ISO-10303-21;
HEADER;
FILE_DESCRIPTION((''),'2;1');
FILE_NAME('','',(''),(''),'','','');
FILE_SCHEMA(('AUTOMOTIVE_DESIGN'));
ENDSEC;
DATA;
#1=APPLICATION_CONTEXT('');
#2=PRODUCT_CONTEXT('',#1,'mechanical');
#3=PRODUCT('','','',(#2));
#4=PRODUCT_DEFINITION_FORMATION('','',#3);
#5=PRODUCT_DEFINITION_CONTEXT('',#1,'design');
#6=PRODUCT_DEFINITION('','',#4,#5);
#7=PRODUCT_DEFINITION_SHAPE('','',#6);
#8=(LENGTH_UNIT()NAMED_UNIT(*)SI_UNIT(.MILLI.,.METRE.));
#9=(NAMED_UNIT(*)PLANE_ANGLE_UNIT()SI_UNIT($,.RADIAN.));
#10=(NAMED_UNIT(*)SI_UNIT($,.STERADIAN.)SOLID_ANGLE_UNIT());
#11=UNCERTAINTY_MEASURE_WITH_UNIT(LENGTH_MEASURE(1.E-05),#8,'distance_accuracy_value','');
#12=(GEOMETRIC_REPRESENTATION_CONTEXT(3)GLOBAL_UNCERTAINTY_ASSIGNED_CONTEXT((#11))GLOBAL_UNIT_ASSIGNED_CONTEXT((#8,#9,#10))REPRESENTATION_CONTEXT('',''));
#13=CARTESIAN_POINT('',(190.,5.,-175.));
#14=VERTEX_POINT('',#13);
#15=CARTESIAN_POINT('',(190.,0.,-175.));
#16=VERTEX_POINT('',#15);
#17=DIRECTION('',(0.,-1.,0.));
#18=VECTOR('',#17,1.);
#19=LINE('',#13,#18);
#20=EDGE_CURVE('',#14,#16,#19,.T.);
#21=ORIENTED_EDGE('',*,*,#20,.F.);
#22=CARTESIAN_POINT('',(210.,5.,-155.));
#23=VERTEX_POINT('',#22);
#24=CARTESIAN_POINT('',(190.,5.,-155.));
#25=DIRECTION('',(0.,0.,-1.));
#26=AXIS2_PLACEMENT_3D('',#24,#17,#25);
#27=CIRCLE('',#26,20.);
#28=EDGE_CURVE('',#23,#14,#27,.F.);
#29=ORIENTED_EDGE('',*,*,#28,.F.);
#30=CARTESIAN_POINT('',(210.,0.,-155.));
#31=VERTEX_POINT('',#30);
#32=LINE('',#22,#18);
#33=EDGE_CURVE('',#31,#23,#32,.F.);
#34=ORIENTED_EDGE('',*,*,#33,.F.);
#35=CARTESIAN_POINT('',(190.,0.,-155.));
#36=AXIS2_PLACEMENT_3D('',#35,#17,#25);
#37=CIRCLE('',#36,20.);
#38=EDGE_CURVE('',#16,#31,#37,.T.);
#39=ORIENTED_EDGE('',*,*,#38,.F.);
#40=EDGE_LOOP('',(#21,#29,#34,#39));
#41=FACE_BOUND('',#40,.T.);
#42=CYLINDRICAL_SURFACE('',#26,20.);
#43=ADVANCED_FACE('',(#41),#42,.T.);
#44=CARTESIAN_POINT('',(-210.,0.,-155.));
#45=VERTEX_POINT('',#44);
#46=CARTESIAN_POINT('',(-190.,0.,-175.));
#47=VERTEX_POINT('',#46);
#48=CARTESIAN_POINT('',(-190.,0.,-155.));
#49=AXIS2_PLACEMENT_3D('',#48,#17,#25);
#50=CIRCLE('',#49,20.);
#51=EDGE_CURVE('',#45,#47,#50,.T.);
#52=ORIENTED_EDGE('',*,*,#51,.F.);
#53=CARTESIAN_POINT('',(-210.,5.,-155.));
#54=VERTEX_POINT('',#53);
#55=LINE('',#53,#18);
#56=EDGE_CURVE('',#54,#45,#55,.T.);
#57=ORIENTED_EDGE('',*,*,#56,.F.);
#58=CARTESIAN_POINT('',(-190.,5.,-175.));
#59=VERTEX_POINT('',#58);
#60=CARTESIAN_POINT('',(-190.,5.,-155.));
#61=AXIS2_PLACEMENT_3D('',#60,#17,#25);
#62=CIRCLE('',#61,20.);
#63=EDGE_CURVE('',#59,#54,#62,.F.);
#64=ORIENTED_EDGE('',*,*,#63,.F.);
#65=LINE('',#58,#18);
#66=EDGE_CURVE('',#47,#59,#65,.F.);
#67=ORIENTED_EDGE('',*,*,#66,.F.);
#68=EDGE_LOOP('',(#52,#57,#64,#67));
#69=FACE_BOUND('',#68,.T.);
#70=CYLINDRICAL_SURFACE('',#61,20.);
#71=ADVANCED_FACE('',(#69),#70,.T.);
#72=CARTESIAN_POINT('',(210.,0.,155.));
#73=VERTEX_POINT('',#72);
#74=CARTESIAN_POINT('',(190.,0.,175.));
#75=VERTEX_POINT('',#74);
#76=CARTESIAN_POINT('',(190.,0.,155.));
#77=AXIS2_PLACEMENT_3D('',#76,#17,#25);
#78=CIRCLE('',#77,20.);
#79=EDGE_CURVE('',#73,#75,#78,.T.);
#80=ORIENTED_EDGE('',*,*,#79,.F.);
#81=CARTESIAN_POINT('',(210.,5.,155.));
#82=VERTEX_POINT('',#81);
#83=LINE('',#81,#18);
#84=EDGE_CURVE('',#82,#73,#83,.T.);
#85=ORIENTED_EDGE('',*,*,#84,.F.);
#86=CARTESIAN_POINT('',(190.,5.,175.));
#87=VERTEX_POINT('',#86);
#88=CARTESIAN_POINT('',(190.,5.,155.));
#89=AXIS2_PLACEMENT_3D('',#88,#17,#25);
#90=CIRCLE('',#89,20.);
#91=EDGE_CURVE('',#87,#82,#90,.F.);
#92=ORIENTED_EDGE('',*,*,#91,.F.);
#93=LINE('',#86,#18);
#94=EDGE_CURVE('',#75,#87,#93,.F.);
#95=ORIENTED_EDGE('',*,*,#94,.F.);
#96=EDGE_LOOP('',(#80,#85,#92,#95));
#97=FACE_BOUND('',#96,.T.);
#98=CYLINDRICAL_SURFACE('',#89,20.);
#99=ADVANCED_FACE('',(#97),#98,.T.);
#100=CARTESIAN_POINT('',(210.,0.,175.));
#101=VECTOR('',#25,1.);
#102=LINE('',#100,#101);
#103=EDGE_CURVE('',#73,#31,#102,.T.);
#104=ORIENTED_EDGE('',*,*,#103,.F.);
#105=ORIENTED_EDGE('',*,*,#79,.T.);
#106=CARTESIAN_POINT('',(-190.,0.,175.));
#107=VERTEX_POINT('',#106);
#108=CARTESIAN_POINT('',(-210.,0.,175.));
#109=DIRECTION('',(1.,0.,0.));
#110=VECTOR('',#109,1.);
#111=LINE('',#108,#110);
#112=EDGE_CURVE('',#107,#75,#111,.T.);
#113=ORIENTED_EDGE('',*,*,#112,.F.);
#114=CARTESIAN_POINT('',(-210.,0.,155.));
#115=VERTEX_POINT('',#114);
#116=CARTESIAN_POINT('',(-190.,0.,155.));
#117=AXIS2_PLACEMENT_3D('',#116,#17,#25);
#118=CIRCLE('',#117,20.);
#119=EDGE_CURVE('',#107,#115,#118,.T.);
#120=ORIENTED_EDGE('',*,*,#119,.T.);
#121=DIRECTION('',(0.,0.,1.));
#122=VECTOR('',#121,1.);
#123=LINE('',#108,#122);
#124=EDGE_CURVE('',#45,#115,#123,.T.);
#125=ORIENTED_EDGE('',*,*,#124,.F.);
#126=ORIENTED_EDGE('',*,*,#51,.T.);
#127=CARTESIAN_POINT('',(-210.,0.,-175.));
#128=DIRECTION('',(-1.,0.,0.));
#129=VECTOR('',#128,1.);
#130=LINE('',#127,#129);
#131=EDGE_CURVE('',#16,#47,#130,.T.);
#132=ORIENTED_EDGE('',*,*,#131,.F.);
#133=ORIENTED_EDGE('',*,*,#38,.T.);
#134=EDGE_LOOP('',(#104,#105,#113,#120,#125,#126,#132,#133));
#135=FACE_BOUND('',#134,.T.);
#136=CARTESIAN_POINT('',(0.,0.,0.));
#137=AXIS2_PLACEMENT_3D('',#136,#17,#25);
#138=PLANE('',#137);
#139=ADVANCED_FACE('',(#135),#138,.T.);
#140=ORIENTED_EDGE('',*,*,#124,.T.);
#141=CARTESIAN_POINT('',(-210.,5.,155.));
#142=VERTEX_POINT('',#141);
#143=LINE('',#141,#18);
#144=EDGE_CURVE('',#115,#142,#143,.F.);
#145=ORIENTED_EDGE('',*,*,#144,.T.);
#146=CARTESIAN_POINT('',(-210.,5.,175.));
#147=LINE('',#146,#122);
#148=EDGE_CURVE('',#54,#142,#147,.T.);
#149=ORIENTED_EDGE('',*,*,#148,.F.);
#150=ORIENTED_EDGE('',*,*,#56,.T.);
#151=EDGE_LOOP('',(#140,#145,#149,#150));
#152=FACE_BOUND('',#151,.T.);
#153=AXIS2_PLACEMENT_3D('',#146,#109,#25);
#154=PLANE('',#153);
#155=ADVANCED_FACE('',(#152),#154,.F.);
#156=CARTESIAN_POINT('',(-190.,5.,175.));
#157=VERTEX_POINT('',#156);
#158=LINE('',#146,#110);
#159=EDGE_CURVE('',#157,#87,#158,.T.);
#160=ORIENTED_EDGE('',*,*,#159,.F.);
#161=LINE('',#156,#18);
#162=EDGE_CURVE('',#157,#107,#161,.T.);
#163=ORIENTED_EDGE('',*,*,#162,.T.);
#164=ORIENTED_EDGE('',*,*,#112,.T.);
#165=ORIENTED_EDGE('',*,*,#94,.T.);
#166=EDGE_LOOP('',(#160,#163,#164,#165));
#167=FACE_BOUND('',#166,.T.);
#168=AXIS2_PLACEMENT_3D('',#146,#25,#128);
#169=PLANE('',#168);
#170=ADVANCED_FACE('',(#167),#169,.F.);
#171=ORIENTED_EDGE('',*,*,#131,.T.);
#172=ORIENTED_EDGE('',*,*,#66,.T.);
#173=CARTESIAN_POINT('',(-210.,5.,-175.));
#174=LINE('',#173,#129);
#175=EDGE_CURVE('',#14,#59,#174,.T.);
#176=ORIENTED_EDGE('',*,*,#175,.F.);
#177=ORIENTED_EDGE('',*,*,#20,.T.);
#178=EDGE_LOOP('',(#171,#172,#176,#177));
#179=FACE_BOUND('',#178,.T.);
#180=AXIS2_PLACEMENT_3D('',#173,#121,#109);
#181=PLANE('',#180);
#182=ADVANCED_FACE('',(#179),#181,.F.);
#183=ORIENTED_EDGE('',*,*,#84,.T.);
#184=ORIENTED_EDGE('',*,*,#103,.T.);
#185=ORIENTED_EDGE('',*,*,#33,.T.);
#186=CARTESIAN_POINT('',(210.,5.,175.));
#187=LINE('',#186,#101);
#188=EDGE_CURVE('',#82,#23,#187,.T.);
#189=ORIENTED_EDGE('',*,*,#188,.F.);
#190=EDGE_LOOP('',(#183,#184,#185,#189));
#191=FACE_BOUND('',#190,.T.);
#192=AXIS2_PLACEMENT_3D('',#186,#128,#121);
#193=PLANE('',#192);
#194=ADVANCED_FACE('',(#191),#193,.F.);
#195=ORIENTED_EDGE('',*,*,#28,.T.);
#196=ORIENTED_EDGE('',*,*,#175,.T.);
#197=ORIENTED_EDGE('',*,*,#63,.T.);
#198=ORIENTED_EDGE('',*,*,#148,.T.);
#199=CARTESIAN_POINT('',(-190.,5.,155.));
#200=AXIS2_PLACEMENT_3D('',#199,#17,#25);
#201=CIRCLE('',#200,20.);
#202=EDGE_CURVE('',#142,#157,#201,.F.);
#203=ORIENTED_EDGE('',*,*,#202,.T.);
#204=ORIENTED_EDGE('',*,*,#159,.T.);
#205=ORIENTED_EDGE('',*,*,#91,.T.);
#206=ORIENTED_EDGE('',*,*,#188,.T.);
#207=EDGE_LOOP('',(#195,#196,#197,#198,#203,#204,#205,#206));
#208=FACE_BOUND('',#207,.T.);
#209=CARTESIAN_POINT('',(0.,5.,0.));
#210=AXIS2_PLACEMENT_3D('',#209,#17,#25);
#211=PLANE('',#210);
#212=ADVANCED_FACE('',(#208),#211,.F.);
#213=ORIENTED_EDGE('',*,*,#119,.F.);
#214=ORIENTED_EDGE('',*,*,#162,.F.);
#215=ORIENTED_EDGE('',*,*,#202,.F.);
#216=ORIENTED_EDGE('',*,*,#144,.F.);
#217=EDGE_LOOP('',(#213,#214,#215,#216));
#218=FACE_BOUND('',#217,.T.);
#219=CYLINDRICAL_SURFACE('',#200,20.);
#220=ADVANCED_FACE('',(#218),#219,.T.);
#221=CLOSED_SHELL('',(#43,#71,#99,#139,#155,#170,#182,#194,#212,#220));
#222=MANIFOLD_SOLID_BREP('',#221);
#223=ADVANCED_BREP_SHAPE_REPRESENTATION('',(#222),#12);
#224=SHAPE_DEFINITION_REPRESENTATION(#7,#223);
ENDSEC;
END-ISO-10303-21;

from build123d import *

# Parameters (mm, degrees)
SKETCH_1_W      = 420
SKETCH_1_H      = 350
EXTRUDE_1_DEPTH = 5
FILLET_1_R      = 20


with BuildPart() as part:
    # 草图1 → 凸台-拉伸1 (new body)
    with BuildSketch(Plane(origin=(0, 0, 0), x_dir=(1, 0, 0), z_dir=(0, 1, 0))):
        Rectangle(SKETCH_1_W, SKETCH_1_H)
    extrude(amount=EXTRUDE_1_DEPTH)

    # 圆角1
    fillet_1_edges = [part.edges().sort_by_distance(p)[0] for p in [
        (210, 2.5, 175),
        (-210, 2.5, 175),
        (-210, 2.5, -175),
        (210, 2.5, -175),
    ]]
    fillet(fillet_1_edges, radius=FILLET_1_R)


solid = part.part
